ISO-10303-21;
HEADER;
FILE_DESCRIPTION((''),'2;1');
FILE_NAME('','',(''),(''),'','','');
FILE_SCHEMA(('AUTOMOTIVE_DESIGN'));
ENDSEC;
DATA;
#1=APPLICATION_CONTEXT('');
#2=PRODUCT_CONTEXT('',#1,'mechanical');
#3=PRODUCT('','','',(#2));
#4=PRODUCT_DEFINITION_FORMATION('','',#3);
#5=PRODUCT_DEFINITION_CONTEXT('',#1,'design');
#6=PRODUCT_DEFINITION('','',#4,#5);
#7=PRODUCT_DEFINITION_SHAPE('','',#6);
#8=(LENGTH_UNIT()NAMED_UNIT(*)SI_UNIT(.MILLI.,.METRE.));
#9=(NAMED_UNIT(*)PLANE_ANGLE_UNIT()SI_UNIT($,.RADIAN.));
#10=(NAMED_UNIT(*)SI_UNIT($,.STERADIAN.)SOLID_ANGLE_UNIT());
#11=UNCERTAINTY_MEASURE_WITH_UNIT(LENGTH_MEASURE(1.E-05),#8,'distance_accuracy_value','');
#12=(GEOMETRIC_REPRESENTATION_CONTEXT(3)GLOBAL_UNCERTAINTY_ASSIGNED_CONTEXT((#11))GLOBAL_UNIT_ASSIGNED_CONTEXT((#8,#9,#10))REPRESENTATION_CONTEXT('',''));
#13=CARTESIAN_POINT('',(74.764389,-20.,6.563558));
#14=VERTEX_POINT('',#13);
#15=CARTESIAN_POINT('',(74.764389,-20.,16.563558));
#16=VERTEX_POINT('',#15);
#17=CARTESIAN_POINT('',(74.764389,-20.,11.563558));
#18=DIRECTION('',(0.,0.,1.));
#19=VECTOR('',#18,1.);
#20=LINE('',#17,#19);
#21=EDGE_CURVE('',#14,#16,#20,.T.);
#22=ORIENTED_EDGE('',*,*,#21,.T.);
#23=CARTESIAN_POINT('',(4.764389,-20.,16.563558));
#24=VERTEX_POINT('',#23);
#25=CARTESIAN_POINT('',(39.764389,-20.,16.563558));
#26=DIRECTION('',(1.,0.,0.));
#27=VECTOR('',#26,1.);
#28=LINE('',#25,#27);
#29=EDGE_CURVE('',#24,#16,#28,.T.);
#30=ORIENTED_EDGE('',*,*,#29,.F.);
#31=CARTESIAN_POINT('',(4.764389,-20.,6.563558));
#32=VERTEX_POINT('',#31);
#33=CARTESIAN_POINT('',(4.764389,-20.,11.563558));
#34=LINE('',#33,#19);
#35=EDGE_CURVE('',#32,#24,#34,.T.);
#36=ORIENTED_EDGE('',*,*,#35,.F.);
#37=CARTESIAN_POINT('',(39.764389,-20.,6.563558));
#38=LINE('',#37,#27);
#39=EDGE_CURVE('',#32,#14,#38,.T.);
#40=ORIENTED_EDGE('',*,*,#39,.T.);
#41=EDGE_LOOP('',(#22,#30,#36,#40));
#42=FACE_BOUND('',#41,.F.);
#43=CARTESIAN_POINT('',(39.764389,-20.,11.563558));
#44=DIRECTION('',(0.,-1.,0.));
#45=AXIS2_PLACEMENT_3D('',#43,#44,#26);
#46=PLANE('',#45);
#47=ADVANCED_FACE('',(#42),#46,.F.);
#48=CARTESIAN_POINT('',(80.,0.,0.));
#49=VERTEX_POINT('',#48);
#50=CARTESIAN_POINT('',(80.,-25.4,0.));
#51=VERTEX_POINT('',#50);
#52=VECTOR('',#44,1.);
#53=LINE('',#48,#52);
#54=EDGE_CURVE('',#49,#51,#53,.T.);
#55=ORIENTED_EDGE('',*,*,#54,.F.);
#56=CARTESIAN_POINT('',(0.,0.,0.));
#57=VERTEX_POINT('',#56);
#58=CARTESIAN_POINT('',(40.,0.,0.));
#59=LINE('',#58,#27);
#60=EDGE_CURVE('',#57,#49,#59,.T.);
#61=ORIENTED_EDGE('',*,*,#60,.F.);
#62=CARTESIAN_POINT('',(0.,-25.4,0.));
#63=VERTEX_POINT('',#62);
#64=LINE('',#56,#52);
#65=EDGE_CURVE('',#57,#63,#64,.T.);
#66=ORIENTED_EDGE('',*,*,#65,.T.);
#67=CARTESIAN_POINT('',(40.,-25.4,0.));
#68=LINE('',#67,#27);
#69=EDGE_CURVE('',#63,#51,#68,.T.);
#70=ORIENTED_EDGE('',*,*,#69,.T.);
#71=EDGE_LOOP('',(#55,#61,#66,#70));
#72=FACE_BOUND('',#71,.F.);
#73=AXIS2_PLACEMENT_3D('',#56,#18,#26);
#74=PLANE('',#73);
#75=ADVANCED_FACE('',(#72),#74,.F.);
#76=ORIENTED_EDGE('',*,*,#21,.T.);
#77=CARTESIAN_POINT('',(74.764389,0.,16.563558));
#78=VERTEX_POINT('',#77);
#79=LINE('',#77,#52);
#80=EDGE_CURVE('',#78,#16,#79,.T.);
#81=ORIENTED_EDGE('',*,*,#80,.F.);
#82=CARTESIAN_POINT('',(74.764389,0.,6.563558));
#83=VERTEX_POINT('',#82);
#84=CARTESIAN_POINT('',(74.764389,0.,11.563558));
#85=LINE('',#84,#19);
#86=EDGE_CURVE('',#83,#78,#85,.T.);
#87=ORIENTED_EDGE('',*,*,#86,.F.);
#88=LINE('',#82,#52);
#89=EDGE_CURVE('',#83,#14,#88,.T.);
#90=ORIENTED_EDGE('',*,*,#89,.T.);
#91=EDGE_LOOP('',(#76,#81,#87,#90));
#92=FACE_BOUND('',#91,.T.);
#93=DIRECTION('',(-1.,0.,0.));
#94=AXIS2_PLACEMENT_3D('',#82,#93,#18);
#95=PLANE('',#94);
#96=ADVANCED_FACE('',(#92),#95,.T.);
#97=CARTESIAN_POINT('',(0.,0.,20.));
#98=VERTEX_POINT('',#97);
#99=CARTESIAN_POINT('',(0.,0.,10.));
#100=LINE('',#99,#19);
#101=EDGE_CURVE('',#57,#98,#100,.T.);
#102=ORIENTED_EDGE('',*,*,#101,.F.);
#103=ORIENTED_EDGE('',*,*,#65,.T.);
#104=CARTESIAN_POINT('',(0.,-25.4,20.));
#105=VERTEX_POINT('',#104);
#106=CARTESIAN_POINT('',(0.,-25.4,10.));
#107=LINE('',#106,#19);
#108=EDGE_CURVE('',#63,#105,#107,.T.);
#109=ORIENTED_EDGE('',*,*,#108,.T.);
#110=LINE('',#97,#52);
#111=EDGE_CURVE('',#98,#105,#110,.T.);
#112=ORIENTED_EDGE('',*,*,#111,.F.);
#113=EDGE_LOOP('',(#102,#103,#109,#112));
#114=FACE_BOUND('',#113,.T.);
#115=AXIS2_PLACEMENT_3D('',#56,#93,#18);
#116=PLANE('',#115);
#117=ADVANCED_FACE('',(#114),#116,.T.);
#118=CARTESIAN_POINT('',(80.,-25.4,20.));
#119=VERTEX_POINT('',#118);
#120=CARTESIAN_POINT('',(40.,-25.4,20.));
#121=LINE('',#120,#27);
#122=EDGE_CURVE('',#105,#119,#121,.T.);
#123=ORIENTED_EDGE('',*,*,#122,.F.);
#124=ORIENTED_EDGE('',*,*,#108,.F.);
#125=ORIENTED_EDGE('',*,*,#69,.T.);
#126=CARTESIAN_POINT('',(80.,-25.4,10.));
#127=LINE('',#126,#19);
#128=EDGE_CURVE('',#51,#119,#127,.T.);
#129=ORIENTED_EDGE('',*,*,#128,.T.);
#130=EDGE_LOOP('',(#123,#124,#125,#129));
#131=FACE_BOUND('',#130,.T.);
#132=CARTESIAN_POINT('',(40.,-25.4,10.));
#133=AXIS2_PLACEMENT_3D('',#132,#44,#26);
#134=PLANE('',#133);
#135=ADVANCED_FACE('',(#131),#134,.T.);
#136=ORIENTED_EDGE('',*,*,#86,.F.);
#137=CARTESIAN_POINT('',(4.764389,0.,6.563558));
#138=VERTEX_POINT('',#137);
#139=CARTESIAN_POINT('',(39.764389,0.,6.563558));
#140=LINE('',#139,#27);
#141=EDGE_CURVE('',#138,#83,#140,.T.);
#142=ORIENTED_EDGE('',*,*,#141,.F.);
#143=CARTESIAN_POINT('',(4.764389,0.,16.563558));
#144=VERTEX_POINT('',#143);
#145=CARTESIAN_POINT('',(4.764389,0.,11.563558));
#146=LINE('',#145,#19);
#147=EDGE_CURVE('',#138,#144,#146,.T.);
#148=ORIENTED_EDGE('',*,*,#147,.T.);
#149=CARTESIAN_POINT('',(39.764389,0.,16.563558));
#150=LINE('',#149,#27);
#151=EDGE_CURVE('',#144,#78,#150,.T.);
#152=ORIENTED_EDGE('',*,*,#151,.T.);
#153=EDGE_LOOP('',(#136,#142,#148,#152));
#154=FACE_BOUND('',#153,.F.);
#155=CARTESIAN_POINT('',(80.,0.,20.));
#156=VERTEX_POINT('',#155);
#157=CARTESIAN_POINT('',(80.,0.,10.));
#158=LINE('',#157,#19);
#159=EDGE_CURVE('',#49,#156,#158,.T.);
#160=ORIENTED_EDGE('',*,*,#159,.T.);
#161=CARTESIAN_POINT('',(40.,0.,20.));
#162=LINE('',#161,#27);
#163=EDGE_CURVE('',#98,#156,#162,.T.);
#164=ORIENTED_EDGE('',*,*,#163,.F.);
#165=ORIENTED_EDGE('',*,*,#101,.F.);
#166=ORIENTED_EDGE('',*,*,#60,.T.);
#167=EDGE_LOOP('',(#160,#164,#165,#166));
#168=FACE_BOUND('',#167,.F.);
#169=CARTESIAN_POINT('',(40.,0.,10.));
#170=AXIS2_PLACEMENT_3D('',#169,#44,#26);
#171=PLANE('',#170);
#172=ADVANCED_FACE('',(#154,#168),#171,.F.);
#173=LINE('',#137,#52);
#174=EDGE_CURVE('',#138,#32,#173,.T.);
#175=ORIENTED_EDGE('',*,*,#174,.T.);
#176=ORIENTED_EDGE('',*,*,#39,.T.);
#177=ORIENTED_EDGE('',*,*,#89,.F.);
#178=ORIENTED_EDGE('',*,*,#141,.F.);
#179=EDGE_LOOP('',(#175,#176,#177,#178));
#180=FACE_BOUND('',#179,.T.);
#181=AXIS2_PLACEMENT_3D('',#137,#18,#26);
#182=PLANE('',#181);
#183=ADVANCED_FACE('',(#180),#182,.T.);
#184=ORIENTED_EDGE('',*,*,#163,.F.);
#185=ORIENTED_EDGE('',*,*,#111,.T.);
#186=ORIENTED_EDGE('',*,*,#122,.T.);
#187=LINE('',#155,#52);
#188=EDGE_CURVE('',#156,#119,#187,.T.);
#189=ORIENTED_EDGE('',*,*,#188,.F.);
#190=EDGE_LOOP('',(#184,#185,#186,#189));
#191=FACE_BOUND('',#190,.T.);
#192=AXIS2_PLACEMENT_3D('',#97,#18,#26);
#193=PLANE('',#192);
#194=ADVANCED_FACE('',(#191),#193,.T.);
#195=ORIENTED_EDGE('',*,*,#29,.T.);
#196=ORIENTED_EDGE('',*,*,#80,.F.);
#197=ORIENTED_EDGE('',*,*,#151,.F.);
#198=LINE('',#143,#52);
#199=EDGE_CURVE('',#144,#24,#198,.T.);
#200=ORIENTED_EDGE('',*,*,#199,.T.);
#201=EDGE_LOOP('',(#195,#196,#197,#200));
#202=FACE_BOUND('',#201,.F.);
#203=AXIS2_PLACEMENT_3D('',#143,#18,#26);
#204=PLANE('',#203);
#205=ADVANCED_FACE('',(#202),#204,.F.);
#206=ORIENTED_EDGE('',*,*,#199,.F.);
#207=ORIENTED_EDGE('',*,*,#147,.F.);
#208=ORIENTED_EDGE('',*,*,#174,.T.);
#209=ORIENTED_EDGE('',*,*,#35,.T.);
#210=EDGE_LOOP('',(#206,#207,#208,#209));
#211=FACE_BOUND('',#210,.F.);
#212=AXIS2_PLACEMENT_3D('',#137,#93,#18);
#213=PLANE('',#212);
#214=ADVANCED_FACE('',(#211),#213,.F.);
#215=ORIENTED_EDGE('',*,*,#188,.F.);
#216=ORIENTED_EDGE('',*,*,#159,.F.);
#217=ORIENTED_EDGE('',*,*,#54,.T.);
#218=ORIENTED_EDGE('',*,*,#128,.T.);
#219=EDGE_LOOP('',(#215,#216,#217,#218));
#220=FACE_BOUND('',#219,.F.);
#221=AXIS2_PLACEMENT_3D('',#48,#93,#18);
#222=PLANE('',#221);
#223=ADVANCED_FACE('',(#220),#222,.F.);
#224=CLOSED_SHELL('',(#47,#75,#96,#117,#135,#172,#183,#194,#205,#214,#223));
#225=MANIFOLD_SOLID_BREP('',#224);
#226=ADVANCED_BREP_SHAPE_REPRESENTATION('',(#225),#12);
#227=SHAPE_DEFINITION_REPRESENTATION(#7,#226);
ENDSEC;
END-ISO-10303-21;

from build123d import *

# Parameters (mm, degrees)
F0_W     = 80
F0_H     = 20
F1_DEPTH = 25.4
F2_W     = 70
F2_H     = 10
F3_DEPTH = 20
F4_DEPTH = 20


with BuildPart() as f1:
    # F0 (on Front) → F1 (new body)
    with BuildSketch(Plane.XZ):
        with Locations((40, 10)):
            Rectangle(F0_W, F0_H)
    extrude(amount=F1_DEPTH)

    # F2 (on Front) → F3 (cut)
    with BuildSketch(Plane.XZ):
        with Locations((39.764389, 11.563558)):
            Rectangle(F2_W, F2_H)
    extrude(amount=-F3_DEPTH, mode=Mode.SUBTRACT)

    # F2 (on Front) → F4 (cut)
    with BuildSketch(Plane.XZ):
        with Locations((39.764389, 11.563558)):
            Rectangle(F2_W, F2_H)
    extrude(amount=F4_DEPTH, mode=Mode.SUBTRACT)


solid = f1.part
